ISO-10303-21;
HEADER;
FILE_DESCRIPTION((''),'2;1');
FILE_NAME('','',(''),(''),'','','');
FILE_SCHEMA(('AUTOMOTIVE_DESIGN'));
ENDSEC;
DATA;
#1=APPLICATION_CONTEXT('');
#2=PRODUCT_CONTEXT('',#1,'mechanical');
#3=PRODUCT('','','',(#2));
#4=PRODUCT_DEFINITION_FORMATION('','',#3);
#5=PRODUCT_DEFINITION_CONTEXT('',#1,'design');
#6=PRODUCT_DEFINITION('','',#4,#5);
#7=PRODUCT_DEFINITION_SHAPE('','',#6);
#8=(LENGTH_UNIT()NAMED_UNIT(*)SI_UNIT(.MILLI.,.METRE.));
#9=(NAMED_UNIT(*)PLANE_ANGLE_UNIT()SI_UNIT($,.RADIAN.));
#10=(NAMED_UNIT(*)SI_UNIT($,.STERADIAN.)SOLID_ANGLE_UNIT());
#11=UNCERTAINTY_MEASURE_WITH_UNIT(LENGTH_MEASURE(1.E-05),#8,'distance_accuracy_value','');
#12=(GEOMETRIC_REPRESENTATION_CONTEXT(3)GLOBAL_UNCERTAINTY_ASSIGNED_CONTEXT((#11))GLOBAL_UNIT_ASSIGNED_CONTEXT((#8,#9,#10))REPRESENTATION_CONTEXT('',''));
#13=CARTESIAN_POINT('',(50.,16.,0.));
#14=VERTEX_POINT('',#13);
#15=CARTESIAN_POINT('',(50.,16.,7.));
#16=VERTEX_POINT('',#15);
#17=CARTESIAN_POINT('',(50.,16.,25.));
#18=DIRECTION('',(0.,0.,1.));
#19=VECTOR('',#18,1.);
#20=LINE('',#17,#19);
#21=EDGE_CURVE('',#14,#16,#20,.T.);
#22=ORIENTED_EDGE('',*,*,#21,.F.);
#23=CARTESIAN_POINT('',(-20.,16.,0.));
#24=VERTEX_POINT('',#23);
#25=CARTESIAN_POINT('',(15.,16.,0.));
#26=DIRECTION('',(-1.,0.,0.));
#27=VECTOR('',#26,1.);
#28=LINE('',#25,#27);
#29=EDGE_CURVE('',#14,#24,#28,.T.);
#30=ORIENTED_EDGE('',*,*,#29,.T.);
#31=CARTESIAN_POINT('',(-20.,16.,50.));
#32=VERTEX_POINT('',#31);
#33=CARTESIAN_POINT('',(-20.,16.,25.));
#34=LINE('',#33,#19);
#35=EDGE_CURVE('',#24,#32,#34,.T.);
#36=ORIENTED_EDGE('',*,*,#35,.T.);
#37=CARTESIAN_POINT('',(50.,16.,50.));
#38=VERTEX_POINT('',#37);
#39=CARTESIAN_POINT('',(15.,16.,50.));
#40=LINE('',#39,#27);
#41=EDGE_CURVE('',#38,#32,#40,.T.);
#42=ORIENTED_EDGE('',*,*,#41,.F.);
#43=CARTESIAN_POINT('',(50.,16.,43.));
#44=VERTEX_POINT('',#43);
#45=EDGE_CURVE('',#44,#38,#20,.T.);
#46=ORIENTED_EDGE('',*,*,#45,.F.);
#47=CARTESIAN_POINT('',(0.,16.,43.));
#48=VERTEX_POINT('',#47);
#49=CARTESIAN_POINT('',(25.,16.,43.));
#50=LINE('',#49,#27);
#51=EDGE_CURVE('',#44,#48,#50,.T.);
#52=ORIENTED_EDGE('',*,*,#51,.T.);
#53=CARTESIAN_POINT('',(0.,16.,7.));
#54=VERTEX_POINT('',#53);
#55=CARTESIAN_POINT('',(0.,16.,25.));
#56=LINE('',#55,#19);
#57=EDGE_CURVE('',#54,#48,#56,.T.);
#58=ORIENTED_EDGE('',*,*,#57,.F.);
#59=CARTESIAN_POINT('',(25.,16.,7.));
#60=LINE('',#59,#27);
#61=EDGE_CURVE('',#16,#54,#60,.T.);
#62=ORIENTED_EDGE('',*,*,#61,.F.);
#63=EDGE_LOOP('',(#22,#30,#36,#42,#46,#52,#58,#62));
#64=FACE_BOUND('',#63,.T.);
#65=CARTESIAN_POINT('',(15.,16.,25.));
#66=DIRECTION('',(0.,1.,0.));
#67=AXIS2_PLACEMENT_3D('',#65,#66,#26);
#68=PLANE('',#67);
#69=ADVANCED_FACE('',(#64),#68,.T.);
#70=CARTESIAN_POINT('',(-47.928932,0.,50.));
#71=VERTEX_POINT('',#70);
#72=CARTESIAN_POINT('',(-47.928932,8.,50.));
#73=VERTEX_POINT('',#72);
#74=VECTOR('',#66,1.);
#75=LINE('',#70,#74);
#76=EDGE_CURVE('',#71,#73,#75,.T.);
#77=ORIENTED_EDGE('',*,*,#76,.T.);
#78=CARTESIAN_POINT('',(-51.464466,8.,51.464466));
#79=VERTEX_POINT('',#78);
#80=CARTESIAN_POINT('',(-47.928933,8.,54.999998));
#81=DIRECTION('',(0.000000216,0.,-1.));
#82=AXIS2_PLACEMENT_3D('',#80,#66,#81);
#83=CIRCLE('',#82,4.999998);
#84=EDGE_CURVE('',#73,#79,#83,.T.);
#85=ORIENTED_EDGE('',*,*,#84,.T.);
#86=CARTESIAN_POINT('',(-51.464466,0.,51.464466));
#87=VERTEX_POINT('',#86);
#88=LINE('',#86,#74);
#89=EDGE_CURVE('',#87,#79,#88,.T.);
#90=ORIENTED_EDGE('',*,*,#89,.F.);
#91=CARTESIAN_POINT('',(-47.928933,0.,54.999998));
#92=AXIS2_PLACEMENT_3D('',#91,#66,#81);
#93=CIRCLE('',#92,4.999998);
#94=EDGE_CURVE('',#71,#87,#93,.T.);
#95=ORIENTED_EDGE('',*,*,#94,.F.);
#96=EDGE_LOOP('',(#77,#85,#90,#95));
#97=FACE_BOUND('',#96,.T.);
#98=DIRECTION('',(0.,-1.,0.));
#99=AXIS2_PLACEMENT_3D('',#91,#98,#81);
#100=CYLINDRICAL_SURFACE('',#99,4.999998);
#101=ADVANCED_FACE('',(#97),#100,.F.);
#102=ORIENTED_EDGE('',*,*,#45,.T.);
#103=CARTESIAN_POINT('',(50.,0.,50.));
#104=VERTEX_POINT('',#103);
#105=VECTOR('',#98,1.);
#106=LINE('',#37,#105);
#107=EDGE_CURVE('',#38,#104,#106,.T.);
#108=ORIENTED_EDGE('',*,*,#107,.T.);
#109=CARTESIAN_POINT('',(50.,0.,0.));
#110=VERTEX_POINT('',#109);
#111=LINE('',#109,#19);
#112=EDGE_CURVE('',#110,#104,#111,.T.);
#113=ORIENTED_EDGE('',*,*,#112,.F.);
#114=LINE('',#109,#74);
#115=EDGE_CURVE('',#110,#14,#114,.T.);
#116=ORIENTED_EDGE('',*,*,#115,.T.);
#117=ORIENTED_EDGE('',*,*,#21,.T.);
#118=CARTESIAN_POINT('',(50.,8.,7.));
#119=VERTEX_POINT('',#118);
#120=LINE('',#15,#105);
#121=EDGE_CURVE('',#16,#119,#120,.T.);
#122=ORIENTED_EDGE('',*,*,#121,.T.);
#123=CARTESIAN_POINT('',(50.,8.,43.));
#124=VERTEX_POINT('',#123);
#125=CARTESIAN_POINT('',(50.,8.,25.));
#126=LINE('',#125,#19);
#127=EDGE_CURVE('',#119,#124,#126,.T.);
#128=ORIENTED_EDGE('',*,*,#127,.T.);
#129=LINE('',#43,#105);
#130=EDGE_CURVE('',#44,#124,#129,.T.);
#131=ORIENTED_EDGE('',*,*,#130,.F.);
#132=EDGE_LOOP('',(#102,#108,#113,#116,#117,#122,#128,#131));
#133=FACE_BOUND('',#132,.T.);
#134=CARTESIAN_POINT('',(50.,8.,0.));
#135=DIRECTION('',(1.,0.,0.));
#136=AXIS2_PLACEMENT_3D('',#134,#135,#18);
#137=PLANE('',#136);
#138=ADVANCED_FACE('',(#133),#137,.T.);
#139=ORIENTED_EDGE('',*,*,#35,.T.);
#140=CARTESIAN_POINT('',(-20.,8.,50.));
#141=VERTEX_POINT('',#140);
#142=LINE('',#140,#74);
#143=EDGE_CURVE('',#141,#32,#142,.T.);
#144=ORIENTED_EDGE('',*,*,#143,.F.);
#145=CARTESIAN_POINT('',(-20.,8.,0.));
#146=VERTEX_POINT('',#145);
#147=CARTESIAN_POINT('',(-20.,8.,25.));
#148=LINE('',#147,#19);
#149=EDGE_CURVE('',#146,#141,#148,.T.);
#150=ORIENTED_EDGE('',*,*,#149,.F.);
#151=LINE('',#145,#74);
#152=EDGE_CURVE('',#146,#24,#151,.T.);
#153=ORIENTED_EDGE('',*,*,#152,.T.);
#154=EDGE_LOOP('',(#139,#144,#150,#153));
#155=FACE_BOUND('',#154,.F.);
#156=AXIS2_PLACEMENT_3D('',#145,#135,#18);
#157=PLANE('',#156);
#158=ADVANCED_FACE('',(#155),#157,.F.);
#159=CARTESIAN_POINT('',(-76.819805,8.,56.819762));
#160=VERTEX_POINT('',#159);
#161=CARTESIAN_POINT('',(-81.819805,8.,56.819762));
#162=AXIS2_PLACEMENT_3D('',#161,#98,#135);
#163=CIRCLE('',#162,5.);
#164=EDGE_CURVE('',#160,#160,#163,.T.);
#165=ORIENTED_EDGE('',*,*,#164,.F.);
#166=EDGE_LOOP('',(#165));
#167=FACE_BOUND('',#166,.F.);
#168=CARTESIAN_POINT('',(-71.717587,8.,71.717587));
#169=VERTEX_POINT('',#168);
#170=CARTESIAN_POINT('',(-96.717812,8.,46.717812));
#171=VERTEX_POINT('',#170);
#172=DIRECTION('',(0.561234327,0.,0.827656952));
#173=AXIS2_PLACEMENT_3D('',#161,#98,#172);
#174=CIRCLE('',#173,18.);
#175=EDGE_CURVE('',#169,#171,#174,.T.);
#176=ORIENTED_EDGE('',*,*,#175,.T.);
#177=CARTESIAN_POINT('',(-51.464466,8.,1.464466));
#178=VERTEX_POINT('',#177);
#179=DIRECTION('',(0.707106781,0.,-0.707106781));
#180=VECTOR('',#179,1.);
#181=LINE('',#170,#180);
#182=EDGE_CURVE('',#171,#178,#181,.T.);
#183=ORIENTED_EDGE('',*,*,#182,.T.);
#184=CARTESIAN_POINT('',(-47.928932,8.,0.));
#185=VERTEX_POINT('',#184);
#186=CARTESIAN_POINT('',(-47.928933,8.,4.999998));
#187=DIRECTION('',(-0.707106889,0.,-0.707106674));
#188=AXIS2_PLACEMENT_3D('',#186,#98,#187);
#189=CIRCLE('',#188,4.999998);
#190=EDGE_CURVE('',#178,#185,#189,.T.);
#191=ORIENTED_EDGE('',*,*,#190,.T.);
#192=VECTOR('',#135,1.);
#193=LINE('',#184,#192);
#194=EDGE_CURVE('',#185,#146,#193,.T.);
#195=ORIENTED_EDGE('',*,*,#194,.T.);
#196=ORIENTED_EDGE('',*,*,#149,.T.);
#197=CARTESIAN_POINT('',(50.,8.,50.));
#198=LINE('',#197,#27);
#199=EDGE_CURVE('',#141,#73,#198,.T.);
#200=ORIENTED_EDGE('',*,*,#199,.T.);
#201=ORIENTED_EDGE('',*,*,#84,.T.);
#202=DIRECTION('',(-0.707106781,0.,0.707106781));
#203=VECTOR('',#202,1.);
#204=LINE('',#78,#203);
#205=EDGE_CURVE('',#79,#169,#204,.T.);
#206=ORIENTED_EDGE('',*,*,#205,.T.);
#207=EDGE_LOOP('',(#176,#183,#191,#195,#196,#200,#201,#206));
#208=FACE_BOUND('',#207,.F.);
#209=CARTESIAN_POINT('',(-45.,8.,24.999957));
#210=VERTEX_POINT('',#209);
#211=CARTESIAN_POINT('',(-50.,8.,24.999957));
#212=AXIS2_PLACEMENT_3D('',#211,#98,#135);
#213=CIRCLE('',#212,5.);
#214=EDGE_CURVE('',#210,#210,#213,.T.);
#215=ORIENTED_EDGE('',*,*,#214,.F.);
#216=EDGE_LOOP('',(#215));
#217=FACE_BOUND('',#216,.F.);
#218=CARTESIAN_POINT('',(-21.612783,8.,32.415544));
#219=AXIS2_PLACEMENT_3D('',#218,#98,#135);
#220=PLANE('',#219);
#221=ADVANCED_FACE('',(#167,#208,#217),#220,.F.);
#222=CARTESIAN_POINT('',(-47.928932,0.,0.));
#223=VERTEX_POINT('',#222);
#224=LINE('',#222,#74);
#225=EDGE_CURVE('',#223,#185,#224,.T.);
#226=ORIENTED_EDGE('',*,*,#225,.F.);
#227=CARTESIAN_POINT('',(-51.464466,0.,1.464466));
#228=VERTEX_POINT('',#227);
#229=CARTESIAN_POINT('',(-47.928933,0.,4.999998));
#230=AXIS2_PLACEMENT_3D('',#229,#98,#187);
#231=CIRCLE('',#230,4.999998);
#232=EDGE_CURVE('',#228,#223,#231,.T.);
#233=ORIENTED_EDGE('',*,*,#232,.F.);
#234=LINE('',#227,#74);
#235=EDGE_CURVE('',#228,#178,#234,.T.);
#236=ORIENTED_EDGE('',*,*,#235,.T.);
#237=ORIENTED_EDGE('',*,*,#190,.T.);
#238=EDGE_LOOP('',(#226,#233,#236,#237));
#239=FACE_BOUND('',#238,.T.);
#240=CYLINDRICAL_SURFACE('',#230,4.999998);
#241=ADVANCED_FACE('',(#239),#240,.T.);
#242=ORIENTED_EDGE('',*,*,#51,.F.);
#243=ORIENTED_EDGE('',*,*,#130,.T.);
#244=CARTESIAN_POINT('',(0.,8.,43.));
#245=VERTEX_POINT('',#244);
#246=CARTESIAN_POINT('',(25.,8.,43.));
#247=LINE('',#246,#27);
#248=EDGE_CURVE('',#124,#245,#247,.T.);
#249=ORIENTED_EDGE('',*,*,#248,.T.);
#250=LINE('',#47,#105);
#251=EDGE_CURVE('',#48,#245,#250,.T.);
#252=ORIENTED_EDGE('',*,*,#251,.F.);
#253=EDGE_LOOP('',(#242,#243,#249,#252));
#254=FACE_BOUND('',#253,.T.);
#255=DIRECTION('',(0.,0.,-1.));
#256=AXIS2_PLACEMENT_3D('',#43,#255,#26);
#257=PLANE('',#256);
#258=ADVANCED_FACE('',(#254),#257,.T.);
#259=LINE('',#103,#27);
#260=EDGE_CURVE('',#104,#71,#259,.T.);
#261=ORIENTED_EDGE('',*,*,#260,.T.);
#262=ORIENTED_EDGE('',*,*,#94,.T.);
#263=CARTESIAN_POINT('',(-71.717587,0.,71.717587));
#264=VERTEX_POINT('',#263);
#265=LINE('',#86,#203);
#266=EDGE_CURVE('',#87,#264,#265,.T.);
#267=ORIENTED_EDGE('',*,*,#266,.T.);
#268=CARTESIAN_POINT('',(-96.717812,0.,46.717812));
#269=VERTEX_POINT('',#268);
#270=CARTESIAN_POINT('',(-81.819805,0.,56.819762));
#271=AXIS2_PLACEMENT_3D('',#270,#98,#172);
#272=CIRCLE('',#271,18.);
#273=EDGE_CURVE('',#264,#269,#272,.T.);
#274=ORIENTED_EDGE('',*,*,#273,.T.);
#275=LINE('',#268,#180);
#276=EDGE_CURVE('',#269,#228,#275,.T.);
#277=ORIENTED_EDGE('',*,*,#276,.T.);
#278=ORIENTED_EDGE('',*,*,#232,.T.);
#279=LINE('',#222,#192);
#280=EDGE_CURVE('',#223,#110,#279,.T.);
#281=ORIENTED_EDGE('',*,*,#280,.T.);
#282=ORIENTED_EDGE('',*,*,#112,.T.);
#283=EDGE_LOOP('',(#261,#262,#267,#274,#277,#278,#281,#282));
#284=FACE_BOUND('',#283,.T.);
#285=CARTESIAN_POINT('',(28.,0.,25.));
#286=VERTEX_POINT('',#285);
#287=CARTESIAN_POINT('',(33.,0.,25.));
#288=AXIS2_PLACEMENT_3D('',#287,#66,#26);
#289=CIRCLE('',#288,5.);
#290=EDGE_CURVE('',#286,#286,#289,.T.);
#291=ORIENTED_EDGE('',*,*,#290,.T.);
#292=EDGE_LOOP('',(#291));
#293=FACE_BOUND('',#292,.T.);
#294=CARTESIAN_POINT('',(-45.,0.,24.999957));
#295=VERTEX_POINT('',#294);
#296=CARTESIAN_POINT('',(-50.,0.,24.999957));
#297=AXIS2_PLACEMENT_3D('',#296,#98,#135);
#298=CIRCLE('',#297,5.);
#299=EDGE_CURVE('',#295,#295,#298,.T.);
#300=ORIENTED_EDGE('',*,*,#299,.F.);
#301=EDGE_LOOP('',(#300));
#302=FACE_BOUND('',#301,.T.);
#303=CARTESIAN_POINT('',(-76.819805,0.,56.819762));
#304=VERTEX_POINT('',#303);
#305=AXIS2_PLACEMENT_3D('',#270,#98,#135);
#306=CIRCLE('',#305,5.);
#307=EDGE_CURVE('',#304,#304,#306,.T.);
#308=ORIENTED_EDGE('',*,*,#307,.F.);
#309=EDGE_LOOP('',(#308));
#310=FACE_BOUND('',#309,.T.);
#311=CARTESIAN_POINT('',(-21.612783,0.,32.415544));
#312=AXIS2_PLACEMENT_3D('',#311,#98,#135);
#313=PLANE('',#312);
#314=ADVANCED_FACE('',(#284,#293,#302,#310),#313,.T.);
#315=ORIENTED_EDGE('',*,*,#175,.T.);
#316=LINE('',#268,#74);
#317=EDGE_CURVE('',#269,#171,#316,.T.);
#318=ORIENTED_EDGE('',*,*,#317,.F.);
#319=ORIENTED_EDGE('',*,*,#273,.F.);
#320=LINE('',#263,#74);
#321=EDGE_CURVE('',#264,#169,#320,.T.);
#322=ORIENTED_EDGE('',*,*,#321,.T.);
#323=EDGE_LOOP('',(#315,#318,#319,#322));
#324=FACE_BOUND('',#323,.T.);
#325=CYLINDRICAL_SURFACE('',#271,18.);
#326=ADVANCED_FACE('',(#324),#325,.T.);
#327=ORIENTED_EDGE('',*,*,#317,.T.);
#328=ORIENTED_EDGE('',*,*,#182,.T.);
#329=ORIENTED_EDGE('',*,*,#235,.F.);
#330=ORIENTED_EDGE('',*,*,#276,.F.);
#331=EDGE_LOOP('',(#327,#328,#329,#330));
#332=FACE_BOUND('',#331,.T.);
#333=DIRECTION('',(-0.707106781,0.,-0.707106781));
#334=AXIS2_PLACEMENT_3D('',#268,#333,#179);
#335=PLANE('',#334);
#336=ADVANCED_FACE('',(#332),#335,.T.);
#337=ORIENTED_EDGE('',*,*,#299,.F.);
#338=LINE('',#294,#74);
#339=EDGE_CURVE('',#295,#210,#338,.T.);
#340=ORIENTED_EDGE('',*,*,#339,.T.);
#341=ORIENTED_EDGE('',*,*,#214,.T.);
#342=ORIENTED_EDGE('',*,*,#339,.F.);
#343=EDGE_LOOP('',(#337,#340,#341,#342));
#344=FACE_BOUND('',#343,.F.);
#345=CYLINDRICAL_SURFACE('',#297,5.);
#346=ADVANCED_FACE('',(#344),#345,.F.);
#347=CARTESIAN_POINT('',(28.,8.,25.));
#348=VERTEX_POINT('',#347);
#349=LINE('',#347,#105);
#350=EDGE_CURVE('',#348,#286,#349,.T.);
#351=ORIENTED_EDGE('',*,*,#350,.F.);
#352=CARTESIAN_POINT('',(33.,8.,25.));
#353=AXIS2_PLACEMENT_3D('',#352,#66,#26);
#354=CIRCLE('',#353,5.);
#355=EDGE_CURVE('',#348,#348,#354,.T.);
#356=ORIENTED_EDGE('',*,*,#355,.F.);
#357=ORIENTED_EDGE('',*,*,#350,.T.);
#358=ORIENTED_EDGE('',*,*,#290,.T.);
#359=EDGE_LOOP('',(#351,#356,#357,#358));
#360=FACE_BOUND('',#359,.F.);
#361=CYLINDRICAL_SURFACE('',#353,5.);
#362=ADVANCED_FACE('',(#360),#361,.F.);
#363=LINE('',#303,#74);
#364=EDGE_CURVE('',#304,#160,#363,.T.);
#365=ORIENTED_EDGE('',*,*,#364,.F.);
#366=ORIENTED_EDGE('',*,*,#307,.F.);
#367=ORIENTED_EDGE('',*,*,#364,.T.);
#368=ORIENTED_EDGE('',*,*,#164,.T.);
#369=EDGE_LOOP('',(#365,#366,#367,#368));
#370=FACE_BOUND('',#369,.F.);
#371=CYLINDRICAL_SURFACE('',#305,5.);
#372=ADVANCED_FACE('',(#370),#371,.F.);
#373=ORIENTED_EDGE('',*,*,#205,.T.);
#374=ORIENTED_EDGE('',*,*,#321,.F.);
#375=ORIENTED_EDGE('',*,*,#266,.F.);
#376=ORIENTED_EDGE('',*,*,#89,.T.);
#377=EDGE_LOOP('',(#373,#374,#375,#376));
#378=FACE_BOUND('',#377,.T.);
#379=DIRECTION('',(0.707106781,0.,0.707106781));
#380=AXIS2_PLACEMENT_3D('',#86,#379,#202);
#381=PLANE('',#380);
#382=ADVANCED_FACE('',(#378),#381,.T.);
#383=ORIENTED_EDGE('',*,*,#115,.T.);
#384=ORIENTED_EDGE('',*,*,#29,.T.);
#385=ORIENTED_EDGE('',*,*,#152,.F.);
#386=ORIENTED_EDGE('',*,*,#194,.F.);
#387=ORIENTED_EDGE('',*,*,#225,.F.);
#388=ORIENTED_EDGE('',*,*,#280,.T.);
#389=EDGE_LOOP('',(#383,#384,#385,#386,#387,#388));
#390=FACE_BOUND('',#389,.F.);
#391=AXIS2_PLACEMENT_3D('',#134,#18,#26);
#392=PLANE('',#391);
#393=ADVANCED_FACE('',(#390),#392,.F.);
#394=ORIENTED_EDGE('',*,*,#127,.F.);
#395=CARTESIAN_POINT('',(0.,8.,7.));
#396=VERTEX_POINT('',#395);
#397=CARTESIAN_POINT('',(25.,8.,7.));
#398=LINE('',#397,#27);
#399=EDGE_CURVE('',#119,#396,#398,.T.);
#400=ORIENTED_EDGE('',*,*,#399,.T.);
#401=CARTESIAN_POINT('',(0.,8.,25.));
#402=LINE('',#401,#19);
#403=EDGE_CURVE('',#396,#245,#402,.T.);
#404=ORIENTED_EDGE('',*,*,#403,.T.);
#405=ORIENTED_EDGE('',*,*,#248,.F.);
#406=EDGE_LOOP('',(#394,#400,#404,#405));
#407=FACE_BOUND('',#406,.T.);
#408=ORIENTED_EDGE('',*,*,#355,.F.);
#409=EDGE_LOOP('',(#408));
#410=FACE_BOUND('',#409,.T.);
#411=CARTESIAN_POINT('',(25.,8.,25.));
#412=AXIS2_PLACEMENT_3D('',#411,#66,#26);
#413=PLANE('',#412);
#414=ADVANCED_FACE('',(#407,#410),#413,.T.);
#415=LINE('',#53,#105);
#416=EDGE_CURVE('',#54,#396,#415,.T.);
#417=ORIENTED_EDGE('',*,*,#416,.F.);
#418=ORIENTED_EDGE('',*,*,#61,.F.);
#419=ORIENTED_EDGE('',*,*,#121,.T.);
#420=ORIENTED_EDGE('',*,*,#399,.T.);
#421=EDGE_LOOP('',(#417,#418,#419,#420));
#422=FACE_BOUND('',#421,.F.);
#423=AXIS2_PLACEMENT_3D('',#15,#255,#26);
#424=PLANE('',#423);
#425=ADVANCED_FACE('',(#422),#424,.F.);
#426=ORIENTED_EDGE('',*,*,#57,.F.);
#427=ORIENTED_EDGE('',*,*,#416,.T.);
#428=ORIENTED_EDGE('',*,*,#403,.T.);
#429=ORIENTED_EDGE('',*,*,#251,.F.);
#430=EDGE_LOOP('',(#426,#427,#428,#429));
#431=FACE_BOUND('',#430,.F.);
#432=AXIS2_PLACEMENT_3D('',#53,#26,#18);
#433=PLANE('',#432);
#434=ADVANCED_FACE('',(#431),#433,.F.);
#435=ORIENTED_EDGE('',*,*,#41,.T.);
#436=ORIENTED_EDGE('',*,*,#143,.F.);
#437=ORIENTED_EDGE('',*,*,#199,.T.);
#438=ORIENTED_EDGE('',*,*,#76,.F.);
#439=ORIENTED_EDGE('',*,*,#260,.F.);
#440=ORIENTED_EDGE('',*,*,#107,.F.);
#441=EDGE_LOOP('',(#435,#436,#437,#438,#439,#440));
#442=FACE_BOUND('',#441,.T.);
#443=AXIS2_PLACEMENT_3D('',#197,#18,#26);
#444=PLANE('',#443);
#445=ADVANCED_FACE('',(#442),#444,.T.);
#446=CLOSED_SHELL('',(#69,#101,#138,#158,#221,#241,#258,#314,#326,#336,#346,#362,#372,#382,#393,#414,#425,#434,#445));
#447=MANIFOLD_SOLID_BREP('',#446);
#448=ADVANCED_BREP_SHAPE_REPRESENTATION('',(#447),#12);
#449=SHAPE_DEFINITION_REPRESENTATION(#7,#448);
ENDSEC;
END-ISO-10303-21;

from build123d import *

# Parameters (mm, degrees)
F0_R     = 5
F1_DEPTH = 8
F2_W     = 70
F2_H     = 50
F3_DEPTH = 8
F4_W     = 50
F4_H     = 36
F5_DEPTH = 8
F6_R     = 5
F7_DEPTH = 25


with BuildPart() as f1:
    # F0 (on Front) → F1 (new body)
    with BuildSketch(Plane.XZ):
        with BuildLine():
            ThreePointArc((-51.464466, 1.464466), (-49.842349, 0.380602), (-47.928932, 0))
            Line((-47.928932, 0), (50, 0))
            Line((50, 0), (50, 50))
            Line((50, 50), (-47.928932, 50))
            ThreePointArc((-47.928932, 50), (-49.842349, 50.380602), (-51.464466, 51.464466))
            Line((-51.464466, 51.464466), (-71.717587, 71.717587))
            ThreePointArc((-71.717587, 71.717587), (-94.547613, 69.547798), (-96.717812, 46.717812))
            Line((-96.717812, 46.717812), (-51.464466, 1.464466))
        make_face()
        with Locations((-50, 24.999957)):
            Circle(F0_R, mode=Mode.SUBTRACT)
        with Locations((-81.819805, 56.819762)):
            Circle(F0_R, mode=Mode.SUBTRACT)
    extrude(amount=-F1_DEPTH)

    # F2 (on face) → F3 (join)
    with BuildSketch(Plane(origin=(0, 8, 0), x_dir=(-1, 0, 0), z_dir=(0, 1, 0))):
        with Locations((-15, 25)):
            Rectangle(F2_W, F2_H)
    extrude(amount=F3_DEPTH)

    # F4 (on face) → F5 (cut)
    with BuildSketch(Plane(origin=(0, 16, 0), x_dir=(-1, 0, 0), z_dir=(0, 1, 0))):
        with Locations((-25, 25)):
            Rectangle(F4_W, F4_H)
    extrude(amount=-F5_DEPTH, mode=Mode.SUBTRACT)

    # F6 (on face) → F7 (cut)
    with BuildSketch(Plane(origin=(0, 8, 0), x_dir=(-1, 0, 0), z_dir=(0, 1, 0))):
        with Locations((-33, 25)):
            Circle(F6_R)
    extrude(amount=-F7_DEPTH, mode=Mode.SUBTRACT)


solid = f1.part
